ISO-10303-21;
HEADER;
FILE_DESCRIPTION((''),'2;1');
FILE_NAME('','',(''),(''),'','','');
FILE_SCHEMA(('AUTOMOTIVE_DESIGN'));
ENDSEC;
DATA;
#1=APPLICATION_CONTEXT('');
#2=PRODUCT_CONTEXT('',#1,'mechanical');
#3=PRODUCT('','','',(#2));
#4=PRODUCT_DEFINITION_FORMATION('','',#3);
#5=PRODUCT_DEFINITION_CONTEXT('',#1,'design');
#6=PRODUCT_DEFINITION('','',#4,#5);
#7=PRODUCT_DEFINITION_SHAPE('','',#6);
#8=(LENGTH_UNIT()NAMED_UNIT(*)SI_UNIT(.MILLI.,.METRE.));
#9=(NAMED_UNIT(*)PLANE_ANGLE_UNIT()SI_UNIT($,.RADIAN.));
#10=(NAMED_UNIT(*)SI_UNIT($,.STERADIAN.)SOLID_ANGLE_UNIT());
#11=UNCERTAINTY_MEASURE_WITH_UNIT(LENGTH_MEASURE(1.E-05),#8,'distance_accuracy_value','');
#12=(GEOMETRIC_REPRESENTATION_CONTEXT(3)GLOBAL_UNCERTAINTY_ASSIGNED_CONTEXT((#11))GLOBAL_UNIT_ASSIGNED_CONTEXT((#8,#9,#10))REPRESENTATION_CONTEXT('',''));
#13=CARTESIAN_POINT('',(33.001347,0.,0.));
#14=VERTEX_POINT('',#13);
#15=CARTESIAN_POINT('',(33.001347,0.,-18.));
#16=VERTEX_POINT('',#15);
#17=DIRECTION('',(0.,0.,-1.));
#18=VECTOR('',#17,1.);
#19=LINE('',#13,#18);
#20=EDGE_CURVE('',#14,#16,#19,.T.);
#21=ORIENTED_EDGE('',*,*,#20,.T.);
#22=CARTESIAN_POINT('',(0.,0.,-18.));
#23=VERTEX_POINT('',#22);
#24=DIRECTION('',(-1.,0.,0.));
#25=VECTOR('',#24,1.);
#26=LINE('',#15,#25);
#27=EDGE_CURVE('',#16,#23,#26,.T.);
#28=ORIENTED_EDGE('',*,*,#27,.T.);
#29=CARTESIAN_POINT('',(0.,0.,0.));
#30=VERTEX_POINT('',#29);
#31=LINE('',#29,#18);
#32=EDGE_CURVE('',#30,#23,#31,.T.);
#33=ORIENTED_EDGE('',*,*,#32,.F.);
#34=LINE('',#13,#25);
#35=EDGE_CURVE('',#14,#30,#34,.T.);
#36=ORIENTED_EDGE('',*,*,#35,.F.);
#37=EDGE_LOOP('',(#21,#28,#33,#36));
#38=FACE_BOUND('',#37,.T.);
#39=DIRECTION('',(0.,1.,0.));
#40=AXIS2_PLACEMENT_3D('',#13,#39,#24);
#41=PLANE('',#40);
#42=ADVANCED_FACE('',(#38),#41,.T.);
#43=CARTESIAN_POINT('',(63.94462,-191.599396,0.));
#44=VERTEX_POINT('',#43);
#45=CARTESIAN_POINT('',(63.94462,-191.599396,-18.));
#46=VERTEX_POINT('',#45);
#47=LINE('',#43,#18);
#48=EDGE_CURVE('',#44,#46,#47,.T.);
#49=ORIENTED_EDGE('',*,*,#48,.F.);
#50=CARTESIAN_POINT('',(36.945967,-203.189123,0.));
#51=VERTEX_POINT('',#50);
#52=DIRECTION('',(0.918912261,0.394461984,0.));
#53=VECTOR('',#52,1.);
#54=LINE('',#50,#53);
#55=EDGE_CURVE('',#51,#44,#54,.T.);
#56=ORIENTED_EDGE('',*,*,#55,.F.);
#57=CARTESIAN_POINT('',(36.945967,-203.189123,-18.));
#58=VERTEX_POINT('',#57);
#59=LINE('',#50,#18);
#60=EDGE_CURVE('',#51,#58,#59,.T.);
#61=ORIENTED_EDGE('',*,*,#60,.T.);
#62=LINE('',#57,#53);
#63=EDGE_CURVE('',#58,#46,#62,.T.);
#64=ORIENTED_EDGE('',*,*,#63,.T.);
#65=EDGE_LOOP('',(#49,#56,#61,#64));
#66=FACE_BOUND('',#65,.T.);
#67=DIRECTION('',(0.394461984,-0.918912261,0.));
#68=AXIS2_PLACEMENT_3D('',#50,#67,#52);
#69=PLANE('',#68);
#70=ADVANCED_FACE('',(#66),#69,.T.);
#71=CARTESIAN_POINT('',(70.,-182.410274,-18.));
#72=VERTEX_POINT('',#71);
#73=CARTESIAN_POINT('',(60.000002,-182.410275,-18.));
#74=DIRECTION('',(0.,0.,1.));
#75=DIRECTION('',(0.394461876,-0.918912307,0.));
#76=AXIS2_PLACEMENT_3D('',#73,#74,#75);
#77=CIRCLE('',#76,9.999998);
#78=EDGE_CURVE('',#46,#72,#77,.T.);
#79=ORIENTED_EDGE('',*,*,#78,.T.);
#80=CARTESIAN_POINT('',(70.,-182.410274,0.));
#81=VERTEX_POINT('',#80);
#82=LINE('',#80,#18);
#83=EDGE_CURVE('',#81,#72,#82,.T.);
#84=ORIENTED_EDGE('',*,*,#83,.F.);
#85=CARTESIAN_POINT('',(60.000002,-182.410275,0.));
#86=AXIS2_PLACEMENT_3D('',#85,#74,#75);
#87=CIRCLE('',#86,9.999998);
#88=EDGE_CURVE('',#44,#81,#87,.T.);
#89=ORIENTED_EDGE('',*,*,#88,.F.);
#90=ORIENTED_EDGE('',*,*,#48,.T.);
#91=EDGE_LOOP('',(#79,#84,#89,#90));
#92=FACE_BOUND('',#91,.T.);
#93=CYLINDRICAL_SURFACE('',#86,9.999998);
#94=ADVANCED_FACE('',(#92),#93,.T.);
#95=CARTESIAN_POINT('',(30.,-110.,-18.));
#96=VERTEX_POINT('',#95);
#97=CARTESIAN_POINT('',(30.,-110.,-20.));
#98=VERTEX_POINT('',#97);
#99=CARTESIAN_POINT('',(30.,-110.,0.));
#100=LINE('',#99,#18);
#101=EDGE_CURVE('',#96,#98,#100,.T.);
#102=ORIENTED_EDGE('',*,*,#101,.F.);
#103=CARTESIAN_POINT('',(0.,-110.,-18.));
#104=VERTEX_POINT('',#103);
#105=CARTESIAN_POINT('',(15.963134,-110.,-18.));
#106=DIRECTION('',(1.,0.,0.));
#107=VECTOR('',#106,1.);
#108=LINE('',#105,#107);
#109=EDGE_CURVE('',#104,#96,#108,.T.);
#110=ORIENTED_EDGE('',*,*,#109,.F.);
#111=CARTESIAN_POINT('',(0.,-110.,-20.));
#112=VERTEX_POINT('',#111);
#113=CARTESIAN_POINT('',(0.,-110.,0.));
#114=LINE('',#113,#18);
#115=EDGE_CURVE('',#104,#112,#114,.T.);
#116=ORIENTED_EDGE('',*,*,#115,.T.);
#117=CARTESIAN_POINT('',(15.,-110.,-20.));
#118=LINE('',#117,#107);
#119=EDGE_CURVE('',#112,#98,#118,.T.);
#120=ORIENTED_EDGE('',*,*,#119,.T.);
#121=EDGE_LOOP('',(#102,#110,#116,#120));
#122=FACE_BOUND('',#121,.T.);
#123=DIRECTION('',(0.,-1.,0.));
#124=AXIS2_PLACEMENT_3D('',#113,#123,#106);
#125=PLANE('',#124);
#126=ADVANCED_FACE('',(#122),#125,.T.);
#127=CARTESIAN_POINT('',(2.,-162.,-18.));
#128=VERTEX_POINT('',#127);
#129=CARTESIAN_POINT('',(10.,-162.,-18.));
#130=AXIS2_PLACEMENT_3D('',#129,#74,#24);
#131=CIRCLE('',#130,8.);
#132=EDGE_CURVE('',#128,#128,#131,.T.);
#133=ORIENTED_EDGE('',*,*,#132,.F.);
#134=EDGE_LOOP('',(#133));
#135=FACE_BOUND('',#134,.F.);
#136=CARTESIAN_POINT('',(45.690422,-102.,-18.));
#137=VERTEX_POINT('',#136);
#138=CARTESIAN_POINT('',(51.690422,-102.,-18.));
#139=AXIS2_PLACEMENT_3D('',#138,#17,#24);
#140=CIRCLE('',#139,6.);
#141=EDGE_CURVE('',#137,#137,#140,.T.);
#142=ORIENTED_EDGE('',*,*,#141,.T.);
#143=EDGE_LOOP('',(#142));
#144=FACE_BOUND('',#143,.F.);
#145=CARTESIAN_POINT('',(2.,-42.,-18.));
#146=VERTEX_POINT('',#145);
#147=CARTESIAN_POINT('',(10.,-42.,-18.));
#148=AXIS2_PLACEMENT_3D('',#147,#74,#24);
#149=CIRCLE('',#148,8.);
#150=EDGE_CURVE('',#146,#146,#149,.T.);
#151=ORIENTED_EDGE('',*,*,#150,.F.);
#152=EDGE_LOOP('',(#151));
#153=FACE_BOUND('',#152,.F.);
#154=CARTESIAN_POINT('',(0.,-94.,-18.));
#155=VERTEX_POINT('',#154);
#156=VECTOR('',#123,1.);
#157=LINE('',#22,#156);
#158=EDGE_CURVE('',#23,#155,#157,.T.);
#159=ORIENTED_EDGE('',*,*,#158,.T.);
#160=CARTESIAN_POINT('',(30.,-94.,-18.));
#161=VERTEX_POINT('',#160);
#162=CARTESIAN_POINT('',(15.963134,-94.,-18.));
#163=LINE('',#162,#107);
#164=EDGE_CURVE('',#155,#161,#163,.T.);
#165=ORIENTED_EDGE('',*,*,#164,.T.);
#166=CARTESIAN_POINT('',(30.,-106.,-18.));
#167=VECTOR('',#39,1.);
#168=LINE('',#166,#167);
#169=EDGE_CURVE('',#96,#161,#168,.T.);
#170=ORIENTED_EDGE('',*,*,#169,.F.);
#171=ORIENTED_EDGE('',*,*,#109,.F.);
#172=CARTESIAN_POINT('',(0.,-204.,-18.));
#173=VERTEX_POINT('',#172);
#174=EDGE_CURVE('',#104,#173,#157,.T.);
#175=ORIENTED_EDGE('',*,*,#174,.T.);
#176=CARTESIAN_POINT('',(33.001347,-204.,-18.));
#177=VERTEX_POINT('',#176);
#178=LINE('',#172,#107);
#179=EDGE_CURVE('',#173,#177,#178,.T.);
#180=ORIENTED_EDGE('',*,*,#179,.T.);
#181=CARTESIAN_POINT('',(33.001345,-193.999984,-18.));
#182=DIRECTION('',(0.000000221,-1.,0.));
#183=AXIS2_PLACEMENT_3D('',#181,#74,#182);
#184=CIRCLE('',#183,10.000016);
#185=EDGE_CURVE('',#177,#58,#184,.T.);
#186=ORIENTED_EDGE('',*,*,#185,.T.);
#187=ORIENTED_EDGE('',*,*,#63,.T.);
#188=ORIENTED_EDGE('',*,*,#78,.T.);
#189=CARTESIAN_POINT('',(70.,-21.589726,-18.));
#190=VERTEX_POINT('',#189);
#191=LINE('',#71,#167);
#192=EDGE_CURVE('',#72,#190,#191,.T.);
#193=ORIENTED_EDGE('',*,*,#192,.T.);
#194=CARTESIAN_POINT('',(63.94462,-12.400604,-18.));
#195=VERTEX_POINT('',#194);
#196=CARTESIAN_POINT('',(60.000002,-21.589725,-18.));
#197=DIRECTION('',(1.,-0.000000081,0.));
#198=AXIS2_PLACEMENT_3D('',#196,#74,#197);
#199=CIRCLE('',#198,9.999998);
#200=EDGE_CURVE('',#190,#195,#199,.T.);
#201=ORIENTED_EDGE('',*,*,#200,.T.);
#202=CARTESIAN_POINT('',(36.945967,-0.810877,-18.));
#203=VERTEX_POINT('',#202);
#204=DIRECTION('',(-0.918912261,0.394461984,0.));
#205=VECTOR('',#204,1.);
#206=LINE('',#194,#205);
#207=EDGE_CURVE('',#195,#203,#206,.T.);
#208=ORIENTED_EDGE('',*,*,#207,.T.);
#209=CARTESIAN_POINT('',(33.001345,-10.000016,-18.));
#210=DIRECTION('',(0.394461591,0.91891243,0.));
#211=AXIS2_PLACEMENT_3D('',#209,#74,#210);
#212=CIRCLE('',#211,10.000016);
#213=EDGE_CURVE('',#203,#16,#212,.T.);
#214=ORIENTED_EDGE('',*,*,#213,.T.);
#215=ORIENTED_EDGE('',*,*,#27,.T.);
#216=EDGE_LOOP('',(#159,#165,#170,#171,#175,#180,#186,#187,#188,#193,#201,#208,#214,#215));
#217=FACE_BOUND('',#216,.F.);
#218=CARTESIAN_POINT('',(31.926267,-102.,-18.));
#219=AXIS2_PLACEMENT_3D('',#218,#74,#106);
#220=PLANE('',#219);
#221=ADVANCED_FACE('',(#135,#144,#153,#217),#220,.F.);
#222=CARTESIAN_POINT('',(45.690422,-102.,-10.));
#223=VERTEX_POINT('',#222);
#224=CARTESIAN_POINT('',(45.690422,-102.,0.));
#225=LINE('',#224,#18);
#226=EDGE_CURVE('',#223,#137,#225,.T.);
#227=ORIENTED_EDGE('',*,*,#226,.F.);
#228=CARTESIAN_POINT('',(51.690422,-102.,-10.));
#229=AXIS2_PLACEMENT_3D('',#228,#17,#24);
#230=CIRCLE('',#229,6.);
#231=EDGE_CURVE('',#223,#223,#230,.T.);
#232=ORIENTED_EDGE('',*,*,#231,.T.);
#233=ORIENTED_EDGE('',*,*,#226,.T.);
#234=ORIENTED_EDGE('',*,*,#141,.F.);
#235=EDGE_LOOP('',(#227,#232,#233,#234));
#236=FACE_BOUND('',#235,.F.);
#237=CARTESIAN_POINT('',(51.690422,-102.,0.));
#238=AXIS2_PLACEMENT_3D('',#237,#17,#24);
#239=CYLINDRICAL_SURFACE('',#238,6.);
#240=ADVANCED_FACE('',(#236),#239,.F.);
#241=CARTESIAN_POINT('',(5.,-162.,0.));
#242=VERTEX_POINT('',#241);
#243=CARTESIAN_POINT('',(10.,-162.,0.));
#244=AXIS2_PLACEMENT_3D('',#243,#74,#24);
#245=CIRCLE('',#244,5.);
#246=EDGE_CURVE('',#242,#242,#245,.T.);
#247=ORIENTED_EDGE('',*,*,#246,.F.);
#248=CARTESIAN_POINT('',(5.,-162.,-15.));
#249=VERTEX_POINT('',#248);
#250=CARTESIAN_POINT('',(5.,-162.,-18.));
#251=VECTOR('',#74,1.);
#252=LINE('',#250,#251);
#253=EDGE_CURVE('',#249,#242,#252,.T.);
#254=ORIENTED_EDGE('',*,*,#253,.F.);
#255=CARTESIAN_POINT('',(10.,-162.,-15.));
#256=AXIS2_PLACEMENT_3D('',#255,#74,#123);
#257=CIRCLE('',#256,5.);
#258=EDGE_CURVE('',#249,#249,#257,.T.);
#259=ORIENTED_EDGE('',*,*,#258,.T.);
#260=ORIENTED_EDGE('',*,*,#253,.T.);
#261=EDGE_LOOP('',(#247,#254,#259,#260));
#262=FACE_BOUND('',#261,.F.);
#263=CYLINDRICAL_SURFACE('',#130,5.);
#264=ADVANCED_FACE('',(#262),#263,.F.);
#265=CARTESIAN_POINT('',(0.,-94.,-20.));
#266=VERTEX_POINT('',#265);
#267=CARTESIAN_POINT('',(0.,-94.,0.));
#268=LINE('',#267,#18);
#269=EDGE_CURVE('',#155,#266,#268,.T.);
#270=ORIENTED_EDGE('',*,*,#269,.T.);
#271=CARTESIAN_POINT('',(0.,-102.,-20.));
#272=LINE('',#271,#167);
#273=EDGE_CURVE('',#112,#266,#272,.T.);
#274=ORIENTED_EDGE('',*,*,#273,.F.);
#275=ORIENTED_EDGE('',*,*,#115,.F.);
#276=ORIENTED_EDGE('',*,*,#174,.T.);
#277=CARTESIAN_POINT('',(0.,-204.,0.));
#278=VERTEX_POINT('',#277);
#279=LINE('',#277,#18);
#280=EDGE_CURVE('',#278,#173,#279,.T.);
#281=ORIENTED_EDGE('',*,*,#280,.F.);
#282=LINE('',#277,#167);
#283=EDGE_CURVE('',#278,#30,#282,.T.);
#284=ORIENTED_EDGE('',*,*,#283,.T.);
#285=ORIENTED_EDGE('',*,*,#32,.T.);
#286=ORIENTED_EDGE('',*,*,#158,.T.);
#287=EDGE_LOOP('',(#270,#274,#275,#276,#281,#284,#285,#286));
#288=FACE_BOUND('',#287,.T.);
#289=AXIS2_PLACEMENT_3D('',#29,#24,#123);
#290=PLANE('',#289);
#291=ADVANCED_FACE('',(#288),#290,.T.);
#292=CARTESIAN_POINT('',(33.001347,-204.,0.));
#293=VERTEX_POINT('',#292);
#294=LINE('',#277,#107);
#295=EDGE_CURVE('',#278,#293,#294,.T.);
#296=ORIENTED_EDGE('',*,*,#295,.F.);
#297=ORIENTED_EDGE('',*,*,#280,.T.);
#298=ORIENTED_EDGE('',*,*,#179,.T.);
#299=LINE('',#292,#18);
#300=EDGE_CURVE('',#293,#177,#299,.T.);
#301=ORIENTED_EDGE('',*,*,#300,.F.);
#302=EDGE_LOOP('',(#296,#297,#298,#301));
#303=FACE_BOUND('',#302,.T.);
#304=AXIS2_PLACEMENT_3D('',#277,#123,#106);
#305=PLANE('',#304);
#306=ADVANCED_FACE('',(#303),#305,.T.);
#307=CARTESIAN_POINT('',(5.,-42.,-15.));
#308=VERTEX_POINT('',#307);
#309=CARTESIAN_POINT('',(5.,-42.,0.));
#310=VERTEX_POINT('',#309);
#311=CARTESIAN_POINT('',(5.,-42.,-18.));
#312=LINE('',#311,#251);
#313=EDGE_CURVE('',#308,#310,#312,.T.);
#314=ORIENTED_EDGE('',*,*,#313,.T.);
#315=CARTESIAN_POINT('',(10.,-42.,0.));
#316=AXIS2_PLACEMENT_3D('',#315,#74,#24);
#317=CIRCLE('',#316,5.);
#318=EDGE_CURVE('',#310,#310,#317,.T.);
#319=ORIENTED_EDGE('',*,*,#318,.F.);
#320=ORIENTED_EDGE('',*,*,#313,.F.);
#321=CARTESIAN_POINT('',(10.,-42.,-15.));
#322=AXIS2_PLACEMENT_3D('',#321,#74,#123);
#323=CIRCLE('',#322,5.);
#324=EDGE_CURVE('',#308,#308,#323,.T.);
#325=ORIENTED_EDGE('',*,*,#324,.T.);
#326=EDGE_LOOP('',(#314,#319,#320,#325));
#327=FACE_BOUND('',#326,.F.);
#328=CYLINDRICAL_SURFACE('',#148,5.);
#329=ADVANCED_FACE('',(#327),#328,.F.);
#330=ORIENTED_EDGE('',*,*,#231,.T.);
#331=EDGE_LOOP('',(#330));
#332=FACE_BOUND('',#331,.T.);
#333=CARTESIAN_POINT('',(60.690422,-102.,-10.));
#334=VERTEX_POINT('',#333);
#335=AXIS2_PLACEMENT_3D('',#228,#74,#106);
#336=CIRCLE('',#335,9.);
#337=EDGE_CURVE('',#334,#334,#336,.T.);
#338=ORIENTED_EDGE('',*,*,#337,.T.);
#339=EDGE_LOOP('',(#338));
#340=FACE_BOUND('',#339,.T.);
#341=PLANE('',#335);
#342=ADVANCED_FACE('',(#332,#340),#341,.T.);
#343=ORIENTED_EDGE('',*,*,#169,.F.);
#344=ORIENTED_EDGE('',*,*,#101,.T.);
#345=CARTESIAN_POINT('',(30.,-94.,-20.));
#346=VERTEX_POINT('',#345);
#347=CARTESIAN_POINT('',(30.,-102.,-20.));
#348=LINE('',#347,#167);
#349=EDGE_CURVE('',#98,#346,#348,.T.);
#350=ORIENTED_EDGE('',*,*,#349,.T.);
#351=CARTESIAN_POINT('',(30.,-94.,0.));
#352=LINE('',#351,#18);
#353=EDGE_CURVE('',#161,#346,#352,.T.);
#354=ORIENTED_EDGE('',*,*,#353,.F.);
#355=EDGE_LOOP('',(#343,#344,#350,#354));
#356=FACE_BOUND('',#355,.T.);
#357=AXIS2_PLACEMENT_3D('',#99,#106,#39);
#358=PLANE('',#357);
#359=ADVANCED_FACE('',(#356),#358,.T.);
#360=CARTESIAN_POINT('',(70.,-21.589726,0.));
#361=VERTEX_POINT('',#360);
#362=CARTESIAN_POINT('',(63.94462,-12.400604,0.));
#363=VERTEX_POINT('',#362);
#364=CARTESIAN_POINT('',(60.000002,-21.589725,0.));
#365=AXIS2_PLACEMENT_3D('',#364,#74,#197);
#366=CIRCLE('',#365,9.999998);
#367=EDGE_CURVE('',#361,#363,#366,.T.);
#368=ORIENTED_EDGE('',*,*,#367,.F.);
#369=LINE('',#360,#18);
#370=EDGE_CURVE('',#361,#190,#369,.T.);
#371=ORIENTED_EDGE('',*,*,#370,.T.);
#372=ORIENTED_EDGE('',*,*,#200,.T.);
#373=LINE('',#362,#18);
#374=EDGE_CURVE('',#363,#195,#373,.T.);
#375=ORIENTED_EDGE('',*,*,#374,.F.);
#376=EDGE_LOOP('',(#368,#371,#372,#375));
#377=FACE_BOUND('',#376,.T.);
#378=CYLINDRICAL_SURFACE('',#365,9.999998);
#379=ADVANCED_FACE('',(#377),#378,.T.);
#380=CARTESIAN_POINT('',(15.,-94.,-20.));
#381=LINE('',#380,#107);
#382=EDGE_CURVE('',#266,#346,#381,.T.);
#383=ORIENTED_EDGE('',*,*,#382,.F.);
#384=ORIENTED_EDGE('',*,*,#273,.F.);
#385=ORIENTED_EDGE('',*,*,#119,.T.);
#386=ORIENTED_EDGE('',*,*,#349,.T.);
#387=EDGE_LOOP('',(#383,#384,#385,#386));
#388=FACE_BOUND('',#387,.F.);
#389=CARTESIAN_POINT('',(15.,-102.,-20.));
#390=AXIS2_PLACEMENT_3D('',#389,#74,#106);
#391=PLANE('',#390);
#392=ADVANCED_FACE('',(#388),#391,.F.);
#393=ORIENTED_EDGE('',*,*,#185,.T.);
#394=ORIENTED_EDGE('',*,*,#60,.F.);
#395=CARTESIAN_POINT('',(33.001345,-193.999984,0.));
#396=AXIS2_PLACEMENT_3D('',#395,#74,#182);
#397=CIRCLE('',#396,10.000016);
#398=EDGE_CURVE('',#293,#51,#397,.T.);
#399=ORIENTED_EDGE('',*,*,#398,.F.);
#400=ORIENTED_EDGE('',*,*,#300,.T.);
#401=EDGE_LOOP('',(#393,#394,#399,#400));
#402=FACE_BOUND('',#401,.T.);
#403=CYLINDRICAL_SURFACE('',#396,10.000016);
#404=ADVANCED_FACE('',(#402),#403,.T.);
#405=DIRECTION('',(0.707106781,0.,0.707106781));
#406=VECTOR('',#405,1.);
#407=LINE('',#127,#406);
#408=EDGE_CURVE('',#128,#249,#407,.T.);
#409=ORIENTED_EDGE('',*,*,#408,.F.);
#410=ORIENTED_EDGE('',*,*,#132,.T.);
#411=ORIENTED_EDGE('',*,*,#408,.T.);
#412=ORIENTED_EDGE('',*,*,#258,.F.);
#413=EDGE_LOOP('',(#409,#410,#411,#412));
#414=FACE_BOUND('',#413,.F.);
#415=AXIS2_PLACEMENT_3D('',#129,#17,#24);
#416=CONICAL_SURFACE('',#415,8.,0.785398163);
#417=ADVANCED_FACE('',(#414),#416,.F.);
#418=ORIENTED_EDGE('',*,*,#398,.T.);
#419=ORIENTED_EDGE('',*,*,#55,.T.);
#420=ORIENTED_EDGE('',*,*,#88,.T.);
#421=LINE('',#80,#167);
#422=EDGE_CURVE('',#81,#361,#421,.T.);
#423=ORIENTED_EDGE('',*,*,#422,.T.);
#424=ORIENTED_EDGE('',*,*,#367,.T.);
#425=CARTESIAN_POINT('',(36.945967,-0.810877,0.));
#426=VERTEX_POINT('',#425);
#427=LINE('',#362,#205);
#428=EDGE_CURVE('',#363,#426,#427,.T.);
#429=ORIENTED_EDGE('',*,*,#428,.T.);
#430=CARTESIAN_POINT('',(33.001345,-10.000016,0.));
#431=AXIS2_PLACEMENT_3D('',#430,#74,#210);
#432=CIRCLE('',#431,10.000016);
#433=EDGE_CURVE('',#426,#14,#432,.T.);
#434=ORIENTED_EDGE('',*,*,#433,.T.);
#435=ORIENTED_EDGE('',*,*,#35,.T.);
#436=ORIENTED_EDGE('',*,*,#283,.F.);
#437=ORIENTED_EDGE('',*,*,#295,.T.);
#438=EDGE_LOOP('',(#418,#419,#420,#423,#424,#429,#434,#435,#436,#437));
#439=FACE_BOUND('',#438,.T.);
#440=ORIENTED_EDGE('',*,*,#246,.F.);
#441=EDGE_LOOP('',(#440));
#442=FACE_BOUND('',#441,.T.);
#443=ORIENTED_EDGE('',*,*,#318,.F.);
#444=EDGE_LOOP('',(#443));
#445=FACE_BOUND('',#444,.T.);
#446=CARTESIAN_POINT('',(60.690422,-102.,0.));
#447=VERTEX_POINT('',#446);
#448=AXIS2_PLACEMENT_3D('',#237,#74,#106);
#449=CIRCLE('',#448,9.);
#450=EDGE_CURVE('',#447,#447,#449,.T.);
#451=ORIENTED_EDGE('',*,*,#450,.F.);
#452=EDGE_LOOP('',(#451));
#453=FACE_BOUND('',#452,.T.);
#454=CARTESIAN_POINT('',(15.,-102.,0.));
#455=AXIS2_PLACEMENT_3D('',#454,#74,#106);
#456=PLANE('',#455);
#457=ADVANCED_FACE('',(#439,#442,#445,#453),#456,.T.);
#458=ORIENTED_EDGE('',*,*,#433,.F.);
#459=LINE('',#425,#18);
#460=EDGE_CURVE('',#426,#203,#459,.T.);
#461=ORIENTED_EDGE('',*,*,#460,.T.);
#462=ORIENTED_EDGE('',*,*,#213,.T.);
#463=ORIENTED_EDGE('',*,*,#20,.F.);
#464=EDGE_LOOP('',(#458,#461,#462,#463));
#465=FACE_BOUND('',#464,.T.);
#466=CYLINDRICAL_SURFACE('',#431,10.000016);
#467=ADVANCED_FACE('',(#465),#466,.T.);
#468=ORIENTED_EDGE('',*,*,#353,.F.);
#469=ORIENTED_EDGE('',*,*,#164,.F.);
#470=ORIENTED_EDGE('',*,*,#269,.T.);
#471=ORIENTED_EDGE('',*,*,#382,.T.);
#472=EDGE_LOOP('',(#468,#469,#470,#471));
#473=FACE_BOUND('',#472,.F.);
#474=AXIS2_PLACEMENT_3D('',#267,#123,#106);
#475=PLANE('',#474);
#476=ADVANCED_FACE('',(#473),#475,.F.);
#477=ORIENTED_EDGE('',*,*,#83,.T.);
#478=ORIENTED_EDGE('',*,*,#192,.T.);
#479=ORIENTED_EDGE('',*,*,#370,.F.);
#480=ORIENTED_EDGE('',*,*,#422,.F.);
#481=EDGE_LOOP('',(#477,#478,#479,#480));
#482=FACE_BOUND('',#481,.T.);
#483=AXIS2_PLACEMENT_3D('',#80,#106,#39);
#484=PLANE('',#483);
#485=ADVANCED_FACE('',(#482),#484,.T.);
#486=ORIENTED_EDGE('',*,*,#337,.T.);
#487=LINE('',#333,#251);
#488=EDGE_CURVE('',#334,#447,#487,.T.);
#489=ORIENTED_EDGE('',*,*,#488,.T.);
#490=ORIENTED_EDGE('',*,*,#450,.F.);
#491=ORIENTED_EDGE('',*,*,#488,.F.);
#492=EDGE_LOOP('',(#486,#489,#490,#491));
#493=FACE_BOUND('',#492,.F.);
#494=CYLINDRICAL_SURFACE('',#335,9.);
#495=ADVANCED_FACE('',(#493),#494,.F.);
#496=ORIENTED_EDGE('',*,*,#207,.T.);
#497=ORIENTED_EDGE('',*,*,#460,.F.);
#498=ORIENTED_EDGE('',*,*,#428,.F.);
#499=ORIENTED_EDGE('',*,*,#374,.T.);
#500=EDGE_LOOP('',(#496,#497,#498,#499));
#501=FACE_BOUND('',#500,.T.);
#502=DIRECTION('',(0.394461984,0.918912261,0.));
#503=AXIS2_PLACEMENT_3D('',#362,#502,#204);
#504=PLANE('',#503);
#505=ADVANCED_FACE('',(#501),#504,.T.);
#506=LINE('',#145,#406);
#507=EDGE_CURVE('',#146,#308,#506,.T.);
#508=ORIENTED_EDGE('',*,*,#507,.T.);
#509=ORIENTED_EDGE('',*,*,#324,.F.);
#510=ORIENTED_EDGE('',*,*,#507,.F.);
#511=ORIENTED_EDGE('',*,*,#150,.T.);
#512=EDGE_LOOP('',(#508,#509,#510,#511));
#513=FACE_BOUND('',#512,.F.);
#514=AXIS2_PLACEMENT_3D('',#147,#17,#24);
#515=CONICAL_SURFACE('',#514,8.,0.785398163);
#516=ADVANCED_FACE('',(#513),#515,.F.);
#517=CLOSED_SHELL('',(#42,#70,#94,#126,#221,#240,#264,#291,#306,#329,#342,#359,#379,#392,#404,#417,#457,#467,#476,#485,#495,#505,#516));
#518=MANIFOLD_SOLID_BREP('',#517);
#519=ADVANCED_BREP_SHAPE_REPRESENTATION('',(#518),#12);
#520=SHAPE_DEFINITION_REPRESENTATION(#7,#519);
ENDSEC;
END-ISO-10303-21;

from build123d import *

# Parameters (mm, degrees)
F0_W           = 30
F0_H           = 16
F1_DEPTH       = 18
F2_D           = 12
F2_CBORE_D     = 18
F2_CBORE_DEPTH = 10
F3_DEPTH       = 20
F4_D           = 10
F4_CSINK_D     = 16
F4_CSINK_ANGLE = 90


with BuildPart() as f1:
    # F0 (on Top) → F1 (new body)
    with BuildSketch(Plane.XY):
        with BuildLine():
            Line((33.001347, 0), (0, 0))
            Line((0, 0), (0, -94))
            Line((0, -94), (30, -94))
            Line((30, -94), (30, -110))
            Line((30, -110), (0, -110))
            Line((0, -110), (0, -204))
            Line((0, -204), (33.001347, -204))
            ThreePointArc((33.001347, -204), (35.014898, -203.795183), (36.945967, -203.189123))
            Line((36.945967, -203.189123), (63.94462, -191.599396))
            ThreePointArc((63.94462, -191.599396), (68.350036, -187.912719), (70, -182.410274))
            Line((70, -182.410274), (70, -21.589726))
            ThreePointArc((70, -21.589726), (68.350036, -16.087281), (63.94462, -12.400604))
            Line((63.94462, -12.400604), (36.945967, -0.810877))
            ThreePointArc((36.945967, -0.810877), (35.014898, -0.204817), (33.001347, 0))
        make_face()
        with Locations((15, -102)):
            Rectangle(F0_W, F0_H)
    extrude(amount=-F1_DEPTH)

    # F2 (through all)
    with Locations(Plane.XY):
        with Locations((51.690422, -102)):
            CounterBoreHole(F2_D / 2, F2_CBORE_D / 2, F2_CBORE_DEPTH)

    # F0 (on Top) → F3 (join)
    with BuildSketch(Plane.XY):
        with Locations((15, -102)):
            Rectangle(F0_W, F0_H)
    extrude(amount=-F3_DEPTH)

    # F4 (through all)
    with Locations(Plane(origin=(0, 0, -18), x_dir=(1, 0, 0), z_dir=(0, 0, -1))):
        with Locations((10, 162), (10, 42)):
            CounterSinkHole(F4_D / 2, F4_CSINK_D / 2, counter_sink_angle=F4_CSINK_ANGLE)


solid = f1.part
